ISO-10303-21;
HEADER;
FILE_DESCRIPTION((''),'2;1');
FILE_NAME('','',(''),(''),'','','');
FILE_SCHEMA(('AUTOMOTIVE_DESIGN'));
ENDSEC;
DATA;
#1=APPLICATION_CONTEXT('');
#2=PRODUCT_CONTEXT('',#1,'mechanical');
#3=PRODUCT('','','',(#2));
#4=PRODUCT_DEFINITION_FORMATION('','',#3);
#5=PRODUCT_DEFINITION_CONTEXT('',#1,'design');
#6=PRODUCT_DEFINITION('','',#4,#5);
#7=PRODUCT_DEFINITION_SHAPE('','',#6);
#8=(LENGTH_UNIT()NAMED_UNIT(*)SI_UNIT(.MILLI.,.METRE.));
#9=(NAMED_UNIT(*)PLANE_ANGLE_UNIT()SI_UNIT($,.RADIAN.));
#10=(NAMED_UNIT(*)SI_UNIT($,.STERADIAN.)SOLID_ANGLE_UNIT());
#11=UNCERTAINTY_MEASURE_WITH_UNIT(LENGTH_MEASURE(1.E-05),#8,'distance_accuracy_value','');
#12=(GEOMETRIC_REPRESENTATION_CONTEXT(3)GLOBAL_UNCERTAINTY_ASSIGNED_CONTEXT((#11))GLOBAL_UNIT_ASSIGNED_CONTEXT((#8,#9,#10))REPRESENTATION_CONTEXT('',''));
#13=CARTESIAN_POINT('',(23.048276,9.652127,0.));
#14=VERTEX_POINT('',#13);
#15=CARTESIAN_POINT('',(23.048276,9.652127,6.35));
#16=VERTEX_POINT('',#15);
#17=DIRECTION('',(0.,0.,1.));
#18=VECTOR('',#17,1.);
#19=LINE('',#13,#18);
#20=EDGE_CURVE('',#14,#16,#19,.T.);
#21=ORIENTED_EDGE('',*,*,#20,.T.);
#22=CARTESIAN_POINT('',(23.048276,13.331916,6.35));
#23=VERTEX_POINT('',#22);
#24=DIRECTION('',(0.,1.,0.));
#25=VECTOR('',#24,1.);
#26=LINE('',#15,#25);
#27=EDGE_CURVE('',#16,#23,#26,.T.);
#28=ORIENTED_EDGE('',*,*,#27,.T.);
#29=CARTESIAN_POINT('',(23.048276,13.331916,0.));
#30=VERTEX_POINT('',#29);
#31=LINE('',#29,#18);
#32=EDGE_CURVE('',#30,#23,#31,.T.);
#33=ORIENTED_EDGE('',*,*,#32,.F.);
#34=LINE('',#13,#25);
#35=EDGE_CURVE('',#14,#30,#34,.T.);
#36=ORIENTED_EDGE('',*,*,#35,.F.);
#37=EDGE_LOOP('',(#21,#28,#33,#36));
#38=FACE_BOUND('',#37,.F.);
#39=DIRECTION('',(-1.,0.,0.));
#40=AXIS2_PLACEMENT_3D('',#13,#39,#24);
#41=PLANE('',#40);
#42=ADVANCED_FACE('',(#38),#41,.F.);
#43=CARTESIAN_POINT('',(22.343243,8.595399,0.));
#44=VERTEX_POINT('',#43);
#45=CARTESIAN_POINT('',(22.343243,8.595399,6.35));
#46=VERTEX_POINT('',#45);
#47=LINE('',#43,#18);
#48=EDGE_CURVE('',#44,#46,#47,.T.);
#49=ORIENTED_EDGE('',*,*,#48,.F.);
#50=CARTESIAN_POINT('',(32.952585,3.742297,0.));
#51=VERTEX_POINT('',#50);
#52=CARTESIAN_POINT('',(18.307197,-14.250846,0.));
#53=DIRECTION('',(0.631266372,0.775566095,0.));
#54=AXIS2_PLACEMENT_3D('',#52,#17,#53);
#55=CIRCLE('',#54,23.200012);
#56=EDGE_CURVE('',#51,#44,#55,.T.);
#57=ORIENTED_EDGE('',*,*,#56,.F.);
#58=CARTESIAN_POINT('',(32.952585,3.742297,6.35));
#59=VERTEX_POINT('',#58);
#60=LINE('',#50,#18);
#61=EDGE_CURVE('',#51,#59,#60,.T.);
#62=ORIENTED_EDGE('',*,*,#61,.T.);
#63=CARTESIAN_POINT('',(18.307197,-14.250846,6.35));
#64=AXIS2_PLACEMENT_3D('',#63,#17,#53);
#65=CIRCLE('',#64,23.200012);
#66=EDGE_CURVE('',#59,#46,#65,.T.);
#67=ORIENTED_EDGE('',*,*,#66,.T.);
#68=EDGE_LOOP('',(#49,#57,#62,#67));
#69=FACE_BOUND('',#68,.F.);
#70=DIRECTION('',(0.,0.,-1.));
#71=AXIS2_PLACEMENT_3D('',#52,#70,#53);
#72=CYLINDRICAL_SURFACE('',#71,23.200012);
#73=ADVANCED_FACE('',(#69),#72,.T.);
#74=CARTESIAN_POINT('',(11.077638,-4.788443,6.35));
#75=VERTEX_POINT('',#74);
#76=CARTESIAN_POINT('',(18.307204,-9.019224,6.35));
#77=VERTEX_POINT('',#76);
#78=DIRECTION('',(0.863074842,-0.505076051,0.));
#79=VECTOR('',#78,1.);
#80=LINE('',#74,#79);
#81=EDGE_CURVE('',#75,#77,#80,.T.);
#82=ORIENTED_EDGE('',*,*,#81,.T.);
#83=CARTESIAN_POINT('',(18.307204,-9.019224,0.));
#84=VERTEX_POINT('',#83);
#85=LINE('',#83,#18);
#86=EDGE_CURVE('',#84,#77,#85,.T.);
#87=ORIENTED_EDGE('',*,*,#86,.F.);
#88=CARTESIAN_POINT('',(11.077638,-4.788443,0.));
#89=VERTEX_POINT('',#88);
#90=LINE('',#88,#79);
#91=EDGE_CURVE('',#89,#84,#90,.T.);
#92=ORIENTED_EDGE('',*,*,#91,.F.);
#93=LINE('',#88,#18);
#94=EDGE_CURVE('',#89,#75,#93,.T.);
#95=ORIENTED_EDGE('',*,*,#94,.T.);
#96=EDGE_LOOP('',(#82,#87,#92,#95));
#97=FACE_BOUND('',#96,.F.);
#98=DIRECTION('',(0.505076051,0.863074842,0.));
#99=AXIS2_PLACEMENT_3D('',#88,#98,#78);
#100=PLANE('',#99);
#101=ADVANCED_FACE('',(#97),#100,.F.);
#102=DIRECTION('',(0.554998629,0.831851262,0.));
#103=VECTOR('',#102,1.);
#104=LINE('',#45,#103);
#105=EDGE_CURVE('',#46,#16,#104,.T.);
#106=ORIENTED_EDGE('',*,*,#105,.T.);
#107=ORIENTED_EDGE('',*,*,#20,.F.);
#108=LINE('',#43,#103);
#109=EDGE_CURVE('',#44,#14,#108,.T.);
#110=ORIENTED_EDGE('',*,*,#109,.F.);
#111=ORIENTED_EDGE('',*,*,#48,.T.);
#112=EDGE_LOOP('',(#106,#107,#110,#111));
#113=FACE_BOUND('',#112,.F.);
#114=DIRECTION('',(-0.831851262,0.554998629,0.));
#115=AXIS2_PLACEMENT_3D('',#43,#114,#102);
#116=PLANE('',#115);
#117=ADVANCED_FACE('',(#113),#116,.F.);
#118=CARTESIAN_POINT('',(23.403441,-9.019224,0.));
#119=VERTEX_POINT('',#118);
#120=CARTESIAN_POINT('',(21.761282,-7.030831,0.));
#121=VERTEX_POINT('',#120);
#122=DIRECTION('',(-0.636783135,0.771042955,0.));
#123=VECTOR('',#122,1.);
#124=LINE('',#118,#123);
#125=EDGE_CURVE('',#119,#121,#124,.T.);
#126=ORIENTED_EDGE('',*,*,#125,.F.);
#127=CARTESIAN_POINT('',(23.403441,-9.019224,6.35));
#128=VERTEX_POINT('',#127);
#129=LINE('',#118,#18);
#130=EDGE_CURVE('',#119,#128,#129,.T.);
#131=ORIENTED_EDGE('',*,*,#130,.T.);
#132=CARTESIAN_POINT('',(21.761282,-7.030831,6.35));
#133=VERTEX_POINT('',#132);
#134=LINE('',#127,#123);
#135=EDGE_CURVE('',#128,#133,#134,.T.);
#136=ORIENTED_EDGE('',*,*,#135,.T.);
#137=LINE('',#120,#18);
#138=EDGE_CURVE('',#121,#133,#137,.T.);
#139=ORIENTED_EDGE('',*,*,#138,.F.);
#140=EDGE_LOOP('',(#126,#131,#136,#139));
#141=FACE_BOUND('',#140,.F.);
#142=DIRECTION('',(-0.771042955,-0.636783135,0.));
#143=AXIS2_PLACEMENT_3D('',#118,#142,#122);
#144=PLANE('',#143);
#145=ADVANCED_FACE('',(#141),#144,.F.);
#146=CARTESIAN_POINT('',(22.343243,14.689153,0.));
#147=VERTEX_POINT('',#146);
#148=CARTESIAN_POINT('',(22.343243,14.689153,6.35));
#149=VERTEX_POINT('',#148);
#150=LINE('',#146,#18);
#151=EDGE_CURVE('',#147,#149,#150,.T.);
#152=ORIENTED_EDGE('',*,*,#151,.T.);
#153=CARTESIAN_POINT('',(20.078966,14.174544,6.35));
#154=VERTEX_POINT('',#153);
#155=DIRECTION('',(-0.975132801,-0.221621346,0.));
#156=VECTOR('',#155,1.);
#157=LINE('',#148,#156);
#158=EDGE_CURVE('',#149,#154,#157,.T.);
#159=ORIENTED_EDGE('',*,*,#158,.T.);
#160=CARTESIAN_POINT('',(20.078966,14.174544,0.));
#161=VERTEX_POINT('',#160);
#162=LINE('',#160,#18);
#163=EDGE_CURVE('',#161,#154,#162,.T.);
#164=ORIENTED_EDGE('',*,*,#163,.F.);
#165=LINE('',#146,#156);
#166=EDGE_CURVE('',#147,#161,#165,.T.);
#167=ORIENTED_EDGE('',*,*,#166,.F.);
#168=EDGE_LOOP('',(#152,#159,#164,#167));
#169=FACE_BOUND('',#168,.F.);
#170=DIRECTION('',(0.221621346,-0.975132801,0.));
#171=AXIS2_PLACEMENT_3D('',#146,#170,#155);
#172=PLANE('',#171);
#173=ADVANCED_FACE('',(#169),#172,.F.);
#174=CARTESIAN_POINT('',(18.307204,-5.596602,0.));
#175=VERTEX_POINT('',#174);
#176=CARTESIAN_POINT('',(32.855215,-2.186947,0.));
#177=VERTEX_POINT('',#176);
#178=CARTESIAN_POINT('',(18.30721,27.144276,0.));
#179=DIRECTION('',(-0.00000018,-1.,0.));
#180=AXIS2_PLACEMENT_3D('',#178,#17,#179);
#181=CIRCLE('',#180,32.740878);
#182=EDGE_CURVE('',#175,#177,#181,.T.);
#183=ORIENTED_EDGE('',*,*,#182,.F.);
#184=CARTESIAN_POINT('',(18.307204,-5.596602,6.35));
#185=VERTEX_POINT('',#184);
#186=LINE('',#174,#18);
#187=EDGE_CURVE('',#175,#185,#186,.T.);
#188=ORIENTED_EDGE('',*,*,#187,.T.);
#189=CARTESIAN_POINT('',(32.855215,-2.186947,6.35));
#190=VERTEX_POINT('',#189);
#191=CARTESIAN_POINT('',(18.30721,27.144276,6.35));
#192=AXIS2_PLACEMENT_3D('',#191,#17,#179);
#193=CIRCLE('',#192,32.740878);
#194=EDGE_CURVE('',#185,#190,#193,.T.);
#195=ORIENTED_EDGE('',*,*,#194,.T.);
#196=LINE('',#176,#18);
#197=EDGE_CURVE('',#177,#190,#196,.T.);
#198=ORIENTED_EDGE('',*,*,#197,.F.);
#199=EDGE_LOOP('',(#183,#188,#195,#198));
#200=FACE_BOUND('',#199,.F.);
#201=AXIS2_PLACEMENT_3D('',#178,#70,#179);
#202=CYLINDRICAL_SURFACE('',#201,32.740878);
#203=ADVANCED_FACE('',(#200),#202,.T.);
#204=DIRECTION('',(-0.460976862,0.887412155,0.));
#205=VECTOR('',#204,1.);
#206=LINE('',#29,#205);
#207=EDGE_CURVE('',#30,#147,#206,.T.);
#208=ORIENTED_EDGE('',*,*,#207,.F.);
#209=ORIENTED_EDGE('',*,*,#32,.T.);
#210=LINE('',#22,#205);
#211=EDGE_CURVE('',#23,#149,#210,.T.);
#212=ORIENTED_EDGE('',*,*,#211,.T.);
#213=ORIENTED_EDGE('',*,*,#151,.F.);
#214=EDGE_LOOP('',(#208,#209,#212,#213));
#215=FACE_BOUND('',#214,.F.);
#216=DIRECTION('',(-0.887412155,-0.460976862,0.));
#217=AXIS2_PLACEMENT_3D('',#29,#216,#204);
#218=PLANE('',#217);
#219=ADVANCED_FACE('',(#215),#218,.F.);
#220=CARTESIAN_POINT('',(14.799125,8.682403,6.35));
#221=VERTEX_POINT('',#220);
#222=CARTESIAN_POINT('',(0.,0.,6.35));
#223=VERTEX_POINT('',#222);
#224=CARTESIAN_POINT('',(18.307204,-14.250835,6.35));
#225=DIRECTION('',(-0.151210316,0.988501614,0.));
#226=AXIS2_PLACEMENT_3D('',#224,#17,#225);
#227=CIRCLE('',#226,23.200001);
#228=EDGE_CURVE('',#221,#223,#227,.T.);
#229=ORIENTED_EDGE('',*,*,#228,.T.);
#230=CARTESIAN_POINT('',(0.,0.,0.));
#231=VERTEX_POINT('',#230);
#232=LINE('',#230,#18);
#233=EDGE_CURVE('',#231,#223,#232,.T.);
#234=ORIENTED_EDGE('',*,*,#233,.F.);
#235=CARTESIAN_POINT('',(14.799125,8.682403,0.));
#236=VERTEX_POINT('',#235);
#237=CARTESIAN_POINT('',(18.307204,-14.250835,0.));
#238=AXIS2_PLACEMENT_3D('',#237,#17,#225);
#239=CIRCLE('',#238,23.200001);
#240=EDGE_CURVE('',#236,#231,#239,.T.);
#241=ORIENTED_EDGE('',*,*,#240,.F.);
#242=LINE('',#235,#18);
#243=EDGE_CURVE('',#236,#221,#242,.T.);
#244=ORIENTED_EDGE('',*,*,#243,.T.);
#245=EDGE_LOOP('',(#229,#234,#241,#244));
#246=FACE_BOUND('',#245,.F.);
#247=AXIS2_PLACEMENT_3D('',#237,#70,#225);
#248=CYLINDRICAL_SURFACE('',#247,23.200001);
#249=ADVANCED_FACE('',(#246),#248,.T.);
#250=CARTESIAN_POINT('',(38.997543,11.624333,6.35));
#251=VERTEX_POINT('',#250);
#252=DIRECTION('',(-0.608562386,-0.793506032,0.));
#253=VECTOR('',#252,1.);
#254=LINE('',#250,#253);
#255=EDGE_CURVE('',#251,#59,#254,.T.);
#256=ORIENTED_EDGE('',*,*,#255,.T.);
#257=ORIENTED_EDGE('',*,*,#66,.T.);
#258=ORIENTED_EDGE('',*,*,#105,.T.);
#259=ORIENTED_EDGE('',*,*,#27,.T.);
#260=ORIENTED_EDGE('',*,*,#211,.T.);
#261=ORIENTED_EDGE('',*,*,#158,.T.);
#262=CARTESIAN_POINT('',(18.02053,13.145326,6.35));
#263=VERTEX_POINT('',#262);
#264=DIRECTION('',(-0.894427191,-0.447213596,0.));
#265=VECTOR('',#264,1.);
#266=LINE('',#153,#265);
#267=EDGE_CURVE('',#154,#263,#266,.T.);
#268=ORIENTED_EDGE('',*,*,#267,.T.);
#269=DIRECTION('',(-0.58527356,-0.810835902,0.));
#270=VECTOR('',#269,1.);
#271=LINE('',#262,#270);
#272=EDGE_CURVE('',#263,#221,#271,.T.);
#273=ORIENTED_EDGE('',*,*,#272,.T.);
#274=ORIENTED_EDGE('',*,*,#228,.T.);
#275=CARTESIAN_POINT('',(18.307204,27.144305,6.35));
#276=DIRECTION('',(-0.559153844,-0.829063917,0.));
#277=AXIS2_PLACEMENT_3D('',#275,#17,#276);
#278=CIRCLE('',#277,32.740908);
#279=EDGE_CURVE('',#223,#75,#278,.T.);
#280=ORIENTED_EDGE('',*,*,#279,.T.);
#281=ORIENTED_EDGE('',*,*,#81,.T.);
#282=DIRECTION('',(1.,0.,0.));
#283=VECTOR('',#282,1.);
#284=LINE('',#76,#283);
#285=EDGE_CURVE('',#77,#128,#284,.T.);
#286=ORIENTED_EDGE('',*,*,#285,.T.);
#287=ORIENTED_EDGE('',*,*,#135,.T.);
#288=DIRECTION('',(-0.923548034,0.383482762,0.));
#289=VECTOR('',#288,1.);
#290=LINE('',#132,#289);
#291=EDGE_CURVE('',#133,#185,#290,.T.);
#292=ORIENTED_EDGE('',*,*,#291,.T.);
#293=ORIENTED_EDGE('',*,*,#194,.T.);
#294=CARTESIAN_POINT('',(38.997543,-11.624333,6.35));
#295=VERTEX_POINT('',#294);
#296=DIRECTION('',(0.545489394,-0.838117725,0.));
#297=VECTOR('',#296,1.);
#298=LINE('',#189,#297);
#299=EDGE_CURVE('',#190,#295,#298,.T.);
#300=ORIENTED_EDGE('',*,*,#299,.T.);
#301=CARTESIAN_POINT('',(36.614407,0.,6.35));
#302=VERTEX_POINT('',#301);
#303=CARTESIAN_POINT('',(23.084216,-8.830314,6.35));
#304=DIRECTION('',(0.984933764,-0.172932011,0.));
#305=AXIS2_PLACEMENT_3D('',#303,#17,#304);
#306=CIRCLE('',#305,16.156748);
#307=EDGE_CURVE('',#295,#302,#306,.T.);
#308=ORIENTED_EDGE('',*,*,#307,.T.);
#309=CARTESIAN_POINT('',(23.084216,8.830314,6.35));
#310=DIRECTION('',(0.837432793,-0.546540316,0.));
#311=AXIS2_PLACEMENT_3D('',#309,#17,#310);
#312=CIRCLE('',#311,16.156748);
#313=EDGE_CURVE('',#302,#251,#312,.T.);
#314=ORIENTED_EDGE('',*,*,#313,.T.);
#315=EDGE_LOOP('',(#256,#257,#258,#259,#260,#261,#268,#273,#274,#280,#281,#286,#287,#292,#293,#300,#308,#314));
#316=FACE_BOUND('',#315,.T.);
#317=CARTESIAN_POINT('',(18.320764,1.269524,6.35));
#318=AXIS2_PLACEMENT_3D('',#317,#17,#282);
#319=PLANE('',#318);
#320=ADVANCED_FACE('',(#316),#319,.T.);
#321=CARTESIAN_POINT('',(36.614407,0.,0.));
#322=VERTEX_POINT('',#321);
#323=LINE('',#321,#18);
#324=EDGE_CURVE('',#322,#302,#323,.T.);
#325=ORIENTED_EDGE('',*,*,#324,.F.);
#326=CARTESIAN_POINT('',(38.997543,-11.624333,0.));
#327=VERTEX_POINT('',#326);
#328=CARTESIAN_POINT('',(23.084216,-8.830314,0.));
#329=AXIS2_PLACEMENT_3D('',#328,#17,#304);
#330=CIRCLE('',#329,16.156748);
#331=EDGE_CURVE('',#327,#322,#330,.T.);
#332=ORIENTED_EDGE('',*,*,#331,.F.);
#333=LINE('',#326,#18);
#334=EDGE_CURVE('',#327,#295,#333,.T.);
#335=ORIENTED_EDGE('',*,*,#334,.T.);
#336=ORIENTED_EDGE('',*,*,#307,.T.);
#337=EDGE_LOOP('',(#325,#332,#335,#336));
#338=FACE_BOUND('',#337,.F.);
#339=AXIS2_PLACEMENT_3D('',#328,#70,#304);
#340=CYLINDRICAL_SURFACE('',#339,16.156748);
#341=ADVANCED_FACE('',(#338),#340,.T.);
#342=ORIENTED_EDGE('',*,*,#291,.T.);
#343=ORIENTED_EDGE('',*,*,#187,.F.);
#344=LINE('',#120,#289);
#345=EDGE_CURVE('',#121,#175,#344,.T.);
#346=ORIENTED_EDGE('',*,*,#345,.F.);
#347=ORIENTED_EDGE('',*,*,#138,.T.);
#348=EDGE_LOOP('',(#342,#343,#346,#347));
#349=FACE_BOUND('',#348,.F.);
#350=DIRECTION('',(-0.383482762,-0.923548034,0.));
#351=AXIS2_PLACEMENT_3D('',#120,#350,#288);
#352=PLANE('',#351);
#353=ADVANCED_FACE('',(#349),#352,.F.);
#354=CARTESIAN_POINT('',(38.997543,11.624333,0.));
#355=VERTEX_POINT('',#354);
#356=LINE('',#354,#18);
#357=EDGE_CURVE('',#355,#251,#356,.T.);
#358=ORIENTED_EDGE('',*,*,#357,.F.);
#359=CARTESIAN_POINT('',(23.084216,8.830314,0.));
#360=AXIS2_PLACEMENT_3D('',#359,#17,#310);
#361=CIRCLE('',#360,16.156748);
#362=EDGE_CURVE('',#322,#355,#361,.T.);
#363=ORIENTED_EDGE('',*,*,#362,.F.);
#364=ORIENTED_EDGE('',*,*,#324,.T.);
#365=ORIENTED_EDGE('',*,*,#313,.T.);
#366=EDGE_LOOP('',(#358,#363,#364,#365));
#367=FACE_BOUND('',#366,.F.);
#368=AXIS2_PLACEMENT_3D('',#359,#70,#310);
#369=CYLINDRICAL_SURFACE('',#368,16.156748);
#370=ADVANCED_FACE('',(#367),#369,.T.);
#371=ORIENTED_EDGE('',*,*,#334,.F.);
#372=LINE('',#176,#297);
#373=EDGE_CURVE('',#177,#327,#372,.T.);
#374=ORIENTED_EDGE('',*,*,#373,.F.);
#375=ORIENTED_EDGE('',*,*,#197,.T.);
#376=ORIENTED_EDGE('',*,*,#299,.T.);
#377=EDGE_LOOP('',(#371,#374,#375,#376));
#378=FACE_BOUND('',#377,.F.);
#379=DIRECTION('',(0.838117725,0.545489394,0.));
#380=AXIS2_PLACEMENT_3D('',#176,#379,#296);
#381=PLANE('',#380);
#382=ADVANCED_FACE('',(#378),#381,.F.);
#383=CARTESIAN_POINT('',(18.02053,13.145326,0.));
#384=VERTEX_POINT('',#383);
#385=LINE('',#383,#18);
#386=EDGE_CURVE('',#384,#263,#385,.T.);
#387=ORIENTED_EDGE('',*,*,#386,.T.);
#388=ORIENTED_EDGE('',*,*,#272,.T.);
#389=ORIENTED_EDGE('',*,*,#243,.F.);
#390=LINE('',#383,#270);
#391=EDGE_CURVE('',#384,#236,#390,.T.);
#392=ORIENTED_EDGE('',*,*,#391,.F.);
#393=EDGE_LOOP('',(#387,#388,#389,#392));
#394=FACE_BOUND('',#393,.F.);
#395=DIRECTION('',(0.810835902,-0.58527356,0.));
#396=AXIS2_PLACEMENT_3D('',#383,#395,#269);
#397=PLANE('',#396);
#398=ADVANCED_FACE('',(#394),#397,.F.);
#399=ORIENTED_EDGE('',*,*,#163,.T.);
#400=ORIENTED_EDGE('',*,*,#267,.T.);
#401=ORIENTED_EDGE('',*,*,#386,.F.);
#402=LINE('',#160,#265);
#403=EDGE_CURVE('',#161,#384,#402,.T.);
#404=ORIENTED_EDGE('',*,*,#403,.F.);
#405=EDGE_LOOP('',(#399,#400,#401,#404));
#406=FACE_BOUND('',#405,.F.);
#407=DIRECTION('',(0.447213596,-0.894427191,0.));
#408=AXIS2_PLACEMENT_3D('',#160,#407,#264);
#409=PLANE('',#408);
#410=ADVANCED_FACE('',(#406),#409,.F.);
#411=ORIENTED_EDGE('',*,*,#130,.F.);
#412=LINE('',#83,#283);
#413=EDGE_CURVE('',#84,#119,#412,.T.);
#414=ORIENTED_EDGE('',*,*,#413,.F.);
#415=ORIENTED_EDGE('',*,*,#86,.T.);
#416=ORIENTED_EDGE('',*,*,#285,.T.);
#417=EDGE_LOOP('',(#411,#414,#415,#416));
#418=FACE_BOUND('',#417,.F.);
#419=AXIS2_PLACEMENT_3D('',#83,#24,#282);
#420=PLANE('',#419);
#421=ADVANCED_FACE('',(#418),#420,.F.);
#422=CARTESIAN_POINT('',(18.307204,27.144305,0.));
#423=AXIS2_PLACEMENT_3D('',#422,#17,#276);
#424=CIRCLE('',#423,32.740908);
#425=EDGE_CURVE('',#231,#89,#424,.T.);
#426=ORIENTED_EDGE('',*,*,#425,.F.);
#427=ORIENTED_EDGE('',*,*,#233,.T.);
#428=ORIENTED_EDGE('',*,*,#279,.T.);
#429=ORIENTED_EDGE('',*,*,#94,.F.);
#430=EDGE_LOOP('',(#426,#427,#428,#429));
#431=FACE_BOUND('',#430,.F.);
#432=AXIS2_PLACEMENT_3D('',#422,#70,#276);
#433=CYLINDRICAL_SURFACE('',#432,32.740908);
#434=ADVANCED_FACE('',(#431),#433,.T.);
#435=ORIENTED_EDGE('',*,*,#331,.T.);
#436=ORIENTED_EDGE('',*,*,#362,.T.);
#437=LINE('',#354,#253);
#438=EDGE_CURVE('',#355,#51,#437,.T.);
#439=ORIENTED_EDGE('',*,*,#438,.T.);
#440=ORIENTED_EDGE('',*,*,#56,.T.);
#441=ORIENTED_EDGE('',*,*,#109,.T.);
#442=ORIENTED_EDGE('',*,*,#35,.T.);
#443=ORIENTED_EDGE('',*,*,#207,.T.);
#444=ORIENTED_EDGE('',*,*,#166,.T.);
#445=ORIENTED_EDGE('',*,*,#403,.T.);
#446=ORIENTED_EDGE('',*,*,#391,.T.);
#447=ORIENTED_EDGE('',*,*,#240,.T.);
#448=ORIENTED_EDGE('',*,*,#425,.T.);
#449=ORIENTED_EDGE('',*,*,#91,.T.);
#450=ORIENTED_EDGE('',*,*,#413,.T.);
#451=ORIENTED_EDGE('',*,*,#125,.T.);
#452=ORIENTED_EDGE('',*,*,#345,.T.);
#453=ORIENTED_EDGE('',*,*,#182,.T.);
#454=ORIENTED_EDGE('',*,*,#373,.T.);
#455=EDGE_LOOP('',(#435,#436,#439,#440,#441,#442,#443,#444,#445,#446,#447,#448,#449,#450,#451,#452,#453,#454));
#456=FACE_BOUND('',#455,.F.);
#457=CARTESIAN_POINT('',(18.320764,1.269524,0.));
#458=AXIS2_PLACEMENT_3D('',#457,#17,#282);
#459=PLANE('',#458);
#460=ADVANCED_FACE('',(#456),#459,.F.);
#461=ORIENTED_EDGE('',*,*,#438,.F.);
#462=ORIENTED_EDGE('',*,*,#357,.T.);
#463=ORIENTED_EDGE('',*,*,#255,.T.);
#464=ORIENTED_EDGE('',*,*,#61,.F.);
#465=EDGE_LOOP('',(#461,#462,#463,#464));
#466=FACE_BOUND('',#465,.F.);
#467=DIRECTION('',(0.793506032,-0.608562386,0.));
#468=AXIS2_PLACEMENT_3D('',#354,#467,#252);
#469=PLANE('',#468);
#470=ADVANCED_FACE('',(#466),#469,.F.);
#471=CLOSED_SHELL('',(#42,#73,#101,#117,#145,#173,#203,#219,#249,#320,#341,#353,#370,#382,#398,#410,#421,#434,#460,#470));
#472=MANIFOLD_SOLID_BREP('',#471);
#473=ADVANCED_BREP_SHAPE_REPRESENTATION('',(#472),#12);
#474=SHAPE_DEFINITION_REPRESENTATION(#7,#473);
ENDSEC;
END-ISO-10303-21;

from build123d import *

# Parameters (mm, degrees)
F1_DEPTH = 6.35


with BuildPart() as f1:
    # F0 (on Top) → F1 (new body)
    with BuildSketch(Plane.XY):
        with BuildLine():
            ThreePointArc((32.855215, -2.186947), (34.771164, -1.15596), (36.614407, 0))
            ThreePointArc((36.614407, 0), (34.889405, 1.97478), (32.952585, 3.742297))
            ThreePointArc((32.952585, 3.742297), (27.957955, 6.846629), (22.343243, 8.595399))
            ThreePointArc((22.343243, 8.595399), (21.214623, 8.766265), (20.078966, 8.881412))
            ThreePointArc((20.078966, 8.881412), (19.296547, 8.928061), (18.512999, 8.948252))
            ThreePointArc((18.512999, 8.948252), (17.529857, 8.936138), (16.548111, 8.882379))
            ThreePointArc((16.548111, 8.882379), (15.671721, 8.798986), (14.799125, 8.682403))
            ThreePointArc((14.799125, 8.682403), (6.567414, 5.759596), (0, 0))
            ThreePointArc((0, 0), (5.316286, -2.909032), (11.077638, -4.788443))
            ThreePointArc((11.077638, -4.788443), (13.483798, -5.23936), (15.916923, -5.509234))
            ThreePointArc((15.916923, -5.509234), (16.677906, -5.556038), (17.439771, -5.58511))
            ThreePointArc((17.439771, -5.58511), (17.873449, -5.593729), (18.307204, -5.596602))
            ThreePointArc((18.307204, -5.596602), (25.778321, -4.732794), (32.855215, -2.186947))
        make_face()
        with BuildLine():
            ThreePointArc((38.997543, -11.624333), (38.91177, -5.585464), (36.614407, 0))
            ThreePointArc((36.614407, 0), (34.771164, -1.15596), (32.855215, -2.186947))
            Line((32.855215, -2.186947), (38.997543, -11.624333))
        make_face()
        with BuildLine():
            ThreePointArc((32.952585, 3.742297), (34.889405, 1.97478), (36.614407, 0))
            ThreePointArc((36.614407, 0), (38.91177, 5.585464), (38.997543, 11.624333))
            Line((38.997543, 11.624333), (32.952585, 3.742297))
        make_face()
        with BuildLine():
            ThreePointArc((20.078966, 8.881412), (21.214623, 8.766265), (22.343243, 8.595399))
            Line((22.343243, 8.595399), (23.048276, 9.652127))
            Line((23.048276, 9.652127), (23.048276, 13.331916))
            Line((23.048276, 13.331916), (20.078966, 8.881412))
        make_face()
        with BuildLine():
            Line((21.761282, -7.030831), (18.307204, -5.596602))
            ThreePointArc((18.307204, -5.596602), (17.873449, -5.593729), (17.439771, -5.58511))
            Line((17.439771, -5.58511), (23.403441, -9.019224))
            Line((23.403441, -9.019224), (21.761282, -7.030831))
        make_face()
        with BuildLine():
            ThreePointArc((18.512999, 8.948252), (19.296547, 8.928061), (20.078966, 8.881412))
            Line((20.078966, 8.881412), (23.048276, 13.331916))
            Line((23.048276, 13.331916), (22.343243, 14.689153))
            Line((22.343243, 14.689153), (18.512999, 8.948252))
        make_face()
        with BuildLine():
            Line((23.403441, -9.019224), (17.439771, -5.58511))
            ThreePointArc((17.439771, -5.58511), (16.677906, -5.556038), (15.916923, -5.509234))
            Line((15.916923, -5.509234), (21.785915, -9.019224))
            Line((21.785915, -9.019224), (23.403441, -9.019224))
        make_face()
        with BuildLine():
            ThreePointArc((16.548111, 8.882379), (17.529857, 8.936138), (18.512999, 8.948252))
            Line((18.512999, 8.948252), (22.343243, 14.689153))
            Line((22.343243, 14.689153), (20.078966, 14.174544))
            Line((20.078966, 14.174544), (16.548111, 8.882379))
        make_face()
        with BuildLine():
            Line((21.785915, -9.019224), (15.916923, -5.509234))
            ThreePointArc((15.916923, -5.509234), (13.483798, -5.23936), (11.077638, -4.788443))
            Line((11.077638, -4.788443), (18.307204, -9.019224))
            Line((18.307204, -9.019224), (21.785915, -9.019224))
        make_face()
        with BuildLine():
            ThreePointArc((14.799125, 8.682403), (15.671721, 8.798986), (16.548111, 8.882379))
            Line((16.548111, 8.882379), (20.078966, 14.174544))
            Line((20.078966, 14.174544), (18.02053, 13.145326))
            Line((18.02053, 13.145326), (14.799125, 8.682403))
        make_face()
    extrude(amount=F1_DEPTH)


solid = f1.part
